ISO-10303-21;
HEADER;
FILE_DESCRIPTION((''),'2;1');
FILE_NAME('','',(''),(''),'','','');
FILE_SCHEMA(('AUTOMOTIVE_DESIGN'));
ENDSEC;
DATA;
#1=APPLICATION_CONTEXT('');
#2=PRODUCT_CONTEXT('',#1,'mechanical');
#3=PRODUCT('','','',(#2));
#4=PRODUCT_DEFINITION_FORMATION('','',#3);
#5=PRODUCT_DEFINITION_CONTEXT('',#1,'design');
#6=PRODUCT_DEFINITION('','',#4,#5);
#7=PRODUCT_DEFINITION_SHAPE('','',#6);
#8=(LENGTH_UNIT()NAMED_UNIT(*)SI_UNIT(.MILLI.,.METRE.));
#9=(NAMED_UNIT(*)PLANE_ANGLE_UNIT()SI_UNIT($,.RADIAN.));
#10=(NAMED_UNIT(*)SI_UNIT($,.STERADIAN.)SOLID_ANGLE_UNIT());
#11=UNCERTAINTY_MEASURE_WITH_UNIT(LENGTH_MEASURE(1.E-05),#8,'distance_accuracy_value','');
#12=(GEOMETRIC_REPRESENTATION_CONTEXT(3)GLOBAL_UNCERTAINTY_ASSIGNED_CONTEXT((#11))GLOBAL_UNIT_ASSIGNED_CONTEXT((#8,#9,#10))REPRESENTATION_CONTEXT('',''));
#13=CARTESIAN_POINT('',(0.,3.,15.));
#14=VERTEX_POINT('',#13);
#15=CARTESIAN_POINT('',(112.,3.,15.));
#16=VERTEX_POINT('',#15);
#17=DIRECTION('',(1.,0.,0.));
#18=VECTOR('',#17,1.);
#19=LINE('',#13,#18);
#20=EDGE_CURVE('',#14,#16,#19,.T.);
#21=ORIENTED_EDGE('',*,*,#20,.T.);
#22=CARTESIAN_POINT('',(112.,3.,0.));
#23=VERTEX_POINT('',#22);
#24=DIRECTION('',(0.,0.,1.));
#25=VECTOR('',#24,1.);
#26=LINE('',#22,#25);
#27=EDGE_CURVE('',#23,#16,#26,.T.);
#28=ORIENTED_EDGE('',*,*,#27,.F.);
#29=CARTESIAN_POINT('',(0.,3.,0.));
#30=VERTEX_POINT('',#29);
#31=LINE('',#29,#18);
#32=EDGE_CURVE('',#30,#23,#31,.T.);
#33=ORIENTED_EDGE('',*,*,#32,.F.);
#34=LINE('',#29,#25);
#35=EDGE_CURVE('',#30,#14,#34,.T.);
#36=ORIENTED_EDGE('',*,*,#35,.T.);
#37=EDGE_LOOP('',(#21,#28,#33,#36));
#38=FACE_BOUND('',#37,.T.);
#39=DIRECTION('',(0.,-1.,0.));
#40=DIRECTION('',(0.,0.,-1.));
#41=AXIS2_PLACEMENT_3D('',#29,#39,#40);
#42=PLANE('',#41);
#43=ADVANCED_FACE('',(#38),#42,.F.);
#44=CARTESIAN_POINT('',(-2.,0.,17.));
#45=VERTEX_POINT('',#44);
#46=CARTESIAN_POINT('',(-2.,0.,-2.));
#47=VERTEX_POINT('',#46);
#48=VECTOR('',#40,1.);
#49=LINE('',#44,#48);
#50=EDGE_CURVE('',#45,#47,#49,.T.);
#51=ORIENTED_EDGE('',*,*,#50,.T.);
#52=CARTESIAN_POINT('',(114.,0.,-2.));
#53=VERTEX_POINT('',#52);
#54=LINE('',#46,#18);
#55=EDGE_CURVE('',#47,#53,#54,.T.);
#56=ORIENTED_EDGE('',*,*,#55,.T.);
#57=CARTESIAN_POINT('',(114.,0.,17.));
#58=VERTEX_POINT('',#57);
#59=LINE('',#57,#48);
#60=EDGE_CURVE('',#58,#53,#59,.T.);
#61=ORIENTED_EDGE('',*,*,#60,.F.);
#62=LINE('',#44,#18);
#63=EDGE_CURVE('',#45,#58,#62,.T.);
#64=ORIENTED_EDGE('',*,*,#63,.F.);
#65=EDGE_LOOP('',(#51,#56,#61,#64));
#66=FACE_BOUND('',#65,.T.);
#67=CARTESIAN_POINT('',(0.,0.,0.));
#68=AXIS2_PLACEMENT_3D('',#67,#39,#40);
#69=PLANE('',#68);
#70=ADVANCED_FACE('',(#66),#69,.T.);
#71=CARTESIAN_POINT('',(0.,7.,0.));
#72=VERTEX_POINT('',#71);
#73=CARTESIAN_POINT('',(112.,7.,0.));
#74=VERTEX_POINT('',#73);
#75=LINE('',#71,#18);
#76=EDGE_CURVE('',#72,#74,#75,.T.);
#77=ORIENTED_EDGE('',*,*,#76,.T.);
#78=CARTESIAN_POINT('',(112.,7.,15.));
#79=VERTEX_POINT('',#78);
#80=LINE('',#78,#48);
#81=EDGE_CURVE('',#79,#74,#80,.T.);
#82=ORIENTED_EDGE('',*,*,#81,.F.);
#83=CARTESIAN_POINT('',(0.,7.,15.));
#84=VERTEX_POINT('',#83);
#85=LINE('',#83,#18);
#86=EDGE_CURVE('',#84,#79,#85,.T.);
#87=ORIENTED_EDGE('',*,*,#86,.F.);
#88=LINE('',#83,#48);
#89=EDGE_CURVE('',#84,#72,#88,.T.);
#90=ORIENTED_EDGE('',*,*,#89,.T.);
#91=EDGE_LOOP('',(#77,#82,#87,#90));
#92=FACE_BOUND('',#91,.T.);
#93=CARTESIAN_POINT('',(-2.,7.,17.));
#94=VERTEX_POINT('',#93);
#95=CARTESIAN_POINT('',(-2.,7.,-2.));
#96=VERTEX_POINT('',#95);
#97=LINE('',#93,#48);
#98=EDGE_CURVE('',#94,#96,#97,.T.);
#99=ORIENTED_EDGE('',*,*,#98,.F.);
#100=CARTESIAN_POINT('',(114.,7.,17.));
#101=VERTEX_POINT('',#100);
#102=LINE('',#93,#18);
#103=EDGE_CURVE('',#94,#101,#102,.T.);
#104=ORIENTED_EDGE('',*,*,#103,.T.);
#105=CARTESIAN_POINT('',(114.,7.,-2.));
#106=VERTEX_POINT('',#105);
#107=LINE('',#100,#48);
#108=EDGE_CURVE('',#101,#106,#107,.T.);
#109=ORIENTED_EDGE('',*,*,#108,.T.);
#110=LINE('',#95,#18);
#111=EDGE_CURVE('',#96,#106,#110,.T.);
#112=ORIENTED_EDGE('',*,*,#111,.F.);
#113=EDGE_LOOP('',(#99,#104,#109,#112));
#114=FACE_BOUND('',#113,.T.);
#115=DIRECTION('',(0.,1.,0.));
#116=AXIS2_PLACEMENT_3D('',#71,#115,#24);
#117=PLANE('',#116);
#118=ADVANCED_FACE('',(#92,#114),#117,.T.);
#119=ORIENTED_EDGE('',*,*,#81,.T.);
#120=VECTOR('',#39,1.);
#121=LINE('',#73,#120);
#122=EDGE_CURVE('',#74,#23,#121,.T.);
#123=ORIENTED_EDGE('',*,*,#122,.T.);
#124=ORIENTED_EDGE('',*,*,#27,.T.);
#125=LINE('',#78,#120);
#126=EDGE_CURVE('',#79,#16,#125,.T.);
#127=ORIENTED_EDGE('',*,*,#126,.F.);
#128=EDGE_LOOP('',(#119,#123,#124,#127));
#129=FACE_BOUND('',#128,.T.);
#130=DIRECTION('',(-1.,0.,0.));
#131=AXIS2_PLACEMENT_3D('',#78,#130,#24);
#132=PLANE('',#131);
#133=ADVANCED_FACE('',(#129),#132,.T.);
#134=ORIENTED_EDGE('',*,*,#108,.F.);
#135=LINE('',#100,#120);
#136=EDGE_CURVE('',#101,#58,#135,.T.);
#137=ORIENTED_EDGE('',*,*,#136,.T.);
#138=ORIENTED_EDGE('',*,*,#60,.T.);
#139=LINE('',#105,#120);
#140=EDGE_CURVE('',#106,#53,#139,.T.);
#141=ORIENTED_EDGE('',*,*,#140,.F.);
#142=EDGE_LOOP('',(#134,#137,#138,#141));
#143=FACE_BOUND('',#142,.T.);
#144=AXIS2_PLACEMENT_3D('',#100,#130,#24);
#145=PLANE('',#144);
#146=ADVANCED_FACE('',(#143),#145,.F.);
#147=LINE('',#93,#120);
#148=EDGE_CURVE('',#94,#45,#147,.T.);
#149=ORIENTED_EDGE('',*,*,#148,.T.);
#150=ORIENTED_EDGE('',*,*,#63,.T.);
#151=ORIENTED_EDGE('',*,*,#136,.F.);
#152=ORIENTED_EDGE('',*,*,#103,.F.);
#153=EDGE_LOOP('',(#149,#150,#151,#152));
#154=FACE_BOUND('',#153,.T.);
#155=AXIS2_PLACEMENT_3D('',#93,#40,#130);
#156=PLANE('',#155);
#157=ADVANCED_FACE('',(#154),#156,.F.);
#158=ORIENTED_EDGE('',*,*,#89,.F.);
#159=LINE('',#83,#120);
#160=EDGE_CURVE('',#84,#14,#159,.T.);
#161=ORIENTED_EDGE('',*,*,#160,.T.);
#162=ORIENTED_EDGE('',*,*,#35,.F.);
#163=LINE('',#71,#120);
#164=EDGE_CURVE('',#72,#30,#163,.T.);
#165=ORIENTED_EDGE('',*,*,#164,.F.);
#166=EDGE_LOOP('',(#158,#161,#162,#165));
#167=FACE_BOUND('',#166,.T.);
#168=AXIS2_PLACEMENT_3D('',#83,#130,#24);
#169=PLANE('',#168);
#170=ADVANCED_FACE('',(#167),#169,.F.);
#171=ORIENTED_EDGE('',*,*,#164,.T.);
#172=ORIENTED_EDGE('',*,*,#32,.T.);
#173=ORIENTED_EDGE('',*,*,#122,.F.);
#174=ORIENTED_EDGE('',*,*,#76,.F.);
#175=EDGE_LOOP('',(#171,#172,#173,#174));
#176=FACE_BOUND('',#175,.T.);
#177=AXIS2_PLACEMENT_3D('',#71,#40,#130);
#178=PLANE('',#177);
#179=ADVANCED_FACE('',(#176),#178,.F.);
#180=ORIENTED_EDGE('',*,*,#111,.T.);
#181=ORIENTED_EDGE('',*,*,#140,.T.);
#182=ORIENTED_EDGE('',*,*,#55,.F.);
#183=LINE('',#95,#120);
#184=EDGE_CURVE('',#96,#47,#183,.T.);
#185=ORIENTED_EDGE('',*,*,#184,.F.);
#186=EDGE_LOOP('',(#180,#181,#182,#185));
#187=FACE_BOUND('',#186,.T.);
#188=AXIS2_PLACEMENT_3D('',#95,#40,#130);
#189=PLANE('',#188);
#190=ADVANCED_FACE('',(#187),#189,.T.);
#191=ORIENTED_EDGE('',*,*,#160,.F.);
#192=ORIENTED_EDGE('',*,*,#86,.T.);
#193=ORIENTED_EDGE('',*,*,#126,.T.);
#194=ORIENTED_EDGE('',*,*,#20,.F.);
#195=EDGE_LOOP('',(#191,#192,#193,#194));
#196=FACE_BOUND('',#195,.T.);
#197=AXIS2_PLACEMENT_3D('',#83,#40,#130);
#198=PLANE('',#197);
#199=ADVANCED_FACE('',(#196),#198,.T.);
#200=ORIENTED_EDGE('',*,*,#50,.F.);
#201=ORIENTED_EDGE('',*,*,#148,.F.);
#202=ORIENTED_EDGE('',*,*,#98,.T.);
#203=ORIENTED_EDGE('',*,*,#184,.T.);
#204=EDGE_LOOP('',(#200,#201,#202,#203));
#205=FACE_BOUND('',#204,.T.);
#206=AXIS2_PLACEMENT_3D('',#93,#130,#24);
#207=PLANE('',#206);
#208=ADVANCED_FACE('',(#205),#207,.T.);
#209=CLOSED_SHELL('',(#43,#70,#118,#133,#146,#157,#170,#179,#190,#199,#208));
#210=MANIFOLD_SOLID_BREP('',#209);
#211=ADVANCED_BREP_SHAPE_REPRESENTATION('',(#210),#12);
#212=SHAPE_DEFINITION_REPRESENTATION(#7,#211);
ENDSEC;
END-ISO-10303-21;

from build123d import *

# Parameters (mm, degrees)
SKETCH_1_W      = 112
SKETCH_1_H      = 15
EXTRUDE_1_DEPTH = 3
SKETCH_2_W      = 116
SKETCH_2_H      = 19
SKETCH_2_W_2    = 112
SKETCH_2_H_2    = 15
EXTRUDE_2_DEPTH = 7


with BuildPart() as part:
    # 草图1 → 凸台-拉伸1 (new body)
    with BuildSketch(Plane(origin=(0, 0, 0), x_dir=(1, 0, 0), z_dir=(0, 1, 0))):
        with Locations((56, -7.5)):
            Rectangle(SKETCH_1_W, SKETCH_1_H)
    extrude(amount=EXTRUDE_1_DEPTH)

    # 草图2 → 凸台-拉伸2 (add)
    with BuildSketch(Plane.XZ):
        with Locations((56, 7.5)):
            Rectangle(SKETCH_2_W, SKETCH_2_H)
        with Locations((56, 7.5)):
            Rectangle(SKETCH_2_W_2, SKETCH_2_H_2, mode=Mode.SUBTRACT)
    extrude(amount=-EXTRUDE_2_DEPTH)


solid = part.part
